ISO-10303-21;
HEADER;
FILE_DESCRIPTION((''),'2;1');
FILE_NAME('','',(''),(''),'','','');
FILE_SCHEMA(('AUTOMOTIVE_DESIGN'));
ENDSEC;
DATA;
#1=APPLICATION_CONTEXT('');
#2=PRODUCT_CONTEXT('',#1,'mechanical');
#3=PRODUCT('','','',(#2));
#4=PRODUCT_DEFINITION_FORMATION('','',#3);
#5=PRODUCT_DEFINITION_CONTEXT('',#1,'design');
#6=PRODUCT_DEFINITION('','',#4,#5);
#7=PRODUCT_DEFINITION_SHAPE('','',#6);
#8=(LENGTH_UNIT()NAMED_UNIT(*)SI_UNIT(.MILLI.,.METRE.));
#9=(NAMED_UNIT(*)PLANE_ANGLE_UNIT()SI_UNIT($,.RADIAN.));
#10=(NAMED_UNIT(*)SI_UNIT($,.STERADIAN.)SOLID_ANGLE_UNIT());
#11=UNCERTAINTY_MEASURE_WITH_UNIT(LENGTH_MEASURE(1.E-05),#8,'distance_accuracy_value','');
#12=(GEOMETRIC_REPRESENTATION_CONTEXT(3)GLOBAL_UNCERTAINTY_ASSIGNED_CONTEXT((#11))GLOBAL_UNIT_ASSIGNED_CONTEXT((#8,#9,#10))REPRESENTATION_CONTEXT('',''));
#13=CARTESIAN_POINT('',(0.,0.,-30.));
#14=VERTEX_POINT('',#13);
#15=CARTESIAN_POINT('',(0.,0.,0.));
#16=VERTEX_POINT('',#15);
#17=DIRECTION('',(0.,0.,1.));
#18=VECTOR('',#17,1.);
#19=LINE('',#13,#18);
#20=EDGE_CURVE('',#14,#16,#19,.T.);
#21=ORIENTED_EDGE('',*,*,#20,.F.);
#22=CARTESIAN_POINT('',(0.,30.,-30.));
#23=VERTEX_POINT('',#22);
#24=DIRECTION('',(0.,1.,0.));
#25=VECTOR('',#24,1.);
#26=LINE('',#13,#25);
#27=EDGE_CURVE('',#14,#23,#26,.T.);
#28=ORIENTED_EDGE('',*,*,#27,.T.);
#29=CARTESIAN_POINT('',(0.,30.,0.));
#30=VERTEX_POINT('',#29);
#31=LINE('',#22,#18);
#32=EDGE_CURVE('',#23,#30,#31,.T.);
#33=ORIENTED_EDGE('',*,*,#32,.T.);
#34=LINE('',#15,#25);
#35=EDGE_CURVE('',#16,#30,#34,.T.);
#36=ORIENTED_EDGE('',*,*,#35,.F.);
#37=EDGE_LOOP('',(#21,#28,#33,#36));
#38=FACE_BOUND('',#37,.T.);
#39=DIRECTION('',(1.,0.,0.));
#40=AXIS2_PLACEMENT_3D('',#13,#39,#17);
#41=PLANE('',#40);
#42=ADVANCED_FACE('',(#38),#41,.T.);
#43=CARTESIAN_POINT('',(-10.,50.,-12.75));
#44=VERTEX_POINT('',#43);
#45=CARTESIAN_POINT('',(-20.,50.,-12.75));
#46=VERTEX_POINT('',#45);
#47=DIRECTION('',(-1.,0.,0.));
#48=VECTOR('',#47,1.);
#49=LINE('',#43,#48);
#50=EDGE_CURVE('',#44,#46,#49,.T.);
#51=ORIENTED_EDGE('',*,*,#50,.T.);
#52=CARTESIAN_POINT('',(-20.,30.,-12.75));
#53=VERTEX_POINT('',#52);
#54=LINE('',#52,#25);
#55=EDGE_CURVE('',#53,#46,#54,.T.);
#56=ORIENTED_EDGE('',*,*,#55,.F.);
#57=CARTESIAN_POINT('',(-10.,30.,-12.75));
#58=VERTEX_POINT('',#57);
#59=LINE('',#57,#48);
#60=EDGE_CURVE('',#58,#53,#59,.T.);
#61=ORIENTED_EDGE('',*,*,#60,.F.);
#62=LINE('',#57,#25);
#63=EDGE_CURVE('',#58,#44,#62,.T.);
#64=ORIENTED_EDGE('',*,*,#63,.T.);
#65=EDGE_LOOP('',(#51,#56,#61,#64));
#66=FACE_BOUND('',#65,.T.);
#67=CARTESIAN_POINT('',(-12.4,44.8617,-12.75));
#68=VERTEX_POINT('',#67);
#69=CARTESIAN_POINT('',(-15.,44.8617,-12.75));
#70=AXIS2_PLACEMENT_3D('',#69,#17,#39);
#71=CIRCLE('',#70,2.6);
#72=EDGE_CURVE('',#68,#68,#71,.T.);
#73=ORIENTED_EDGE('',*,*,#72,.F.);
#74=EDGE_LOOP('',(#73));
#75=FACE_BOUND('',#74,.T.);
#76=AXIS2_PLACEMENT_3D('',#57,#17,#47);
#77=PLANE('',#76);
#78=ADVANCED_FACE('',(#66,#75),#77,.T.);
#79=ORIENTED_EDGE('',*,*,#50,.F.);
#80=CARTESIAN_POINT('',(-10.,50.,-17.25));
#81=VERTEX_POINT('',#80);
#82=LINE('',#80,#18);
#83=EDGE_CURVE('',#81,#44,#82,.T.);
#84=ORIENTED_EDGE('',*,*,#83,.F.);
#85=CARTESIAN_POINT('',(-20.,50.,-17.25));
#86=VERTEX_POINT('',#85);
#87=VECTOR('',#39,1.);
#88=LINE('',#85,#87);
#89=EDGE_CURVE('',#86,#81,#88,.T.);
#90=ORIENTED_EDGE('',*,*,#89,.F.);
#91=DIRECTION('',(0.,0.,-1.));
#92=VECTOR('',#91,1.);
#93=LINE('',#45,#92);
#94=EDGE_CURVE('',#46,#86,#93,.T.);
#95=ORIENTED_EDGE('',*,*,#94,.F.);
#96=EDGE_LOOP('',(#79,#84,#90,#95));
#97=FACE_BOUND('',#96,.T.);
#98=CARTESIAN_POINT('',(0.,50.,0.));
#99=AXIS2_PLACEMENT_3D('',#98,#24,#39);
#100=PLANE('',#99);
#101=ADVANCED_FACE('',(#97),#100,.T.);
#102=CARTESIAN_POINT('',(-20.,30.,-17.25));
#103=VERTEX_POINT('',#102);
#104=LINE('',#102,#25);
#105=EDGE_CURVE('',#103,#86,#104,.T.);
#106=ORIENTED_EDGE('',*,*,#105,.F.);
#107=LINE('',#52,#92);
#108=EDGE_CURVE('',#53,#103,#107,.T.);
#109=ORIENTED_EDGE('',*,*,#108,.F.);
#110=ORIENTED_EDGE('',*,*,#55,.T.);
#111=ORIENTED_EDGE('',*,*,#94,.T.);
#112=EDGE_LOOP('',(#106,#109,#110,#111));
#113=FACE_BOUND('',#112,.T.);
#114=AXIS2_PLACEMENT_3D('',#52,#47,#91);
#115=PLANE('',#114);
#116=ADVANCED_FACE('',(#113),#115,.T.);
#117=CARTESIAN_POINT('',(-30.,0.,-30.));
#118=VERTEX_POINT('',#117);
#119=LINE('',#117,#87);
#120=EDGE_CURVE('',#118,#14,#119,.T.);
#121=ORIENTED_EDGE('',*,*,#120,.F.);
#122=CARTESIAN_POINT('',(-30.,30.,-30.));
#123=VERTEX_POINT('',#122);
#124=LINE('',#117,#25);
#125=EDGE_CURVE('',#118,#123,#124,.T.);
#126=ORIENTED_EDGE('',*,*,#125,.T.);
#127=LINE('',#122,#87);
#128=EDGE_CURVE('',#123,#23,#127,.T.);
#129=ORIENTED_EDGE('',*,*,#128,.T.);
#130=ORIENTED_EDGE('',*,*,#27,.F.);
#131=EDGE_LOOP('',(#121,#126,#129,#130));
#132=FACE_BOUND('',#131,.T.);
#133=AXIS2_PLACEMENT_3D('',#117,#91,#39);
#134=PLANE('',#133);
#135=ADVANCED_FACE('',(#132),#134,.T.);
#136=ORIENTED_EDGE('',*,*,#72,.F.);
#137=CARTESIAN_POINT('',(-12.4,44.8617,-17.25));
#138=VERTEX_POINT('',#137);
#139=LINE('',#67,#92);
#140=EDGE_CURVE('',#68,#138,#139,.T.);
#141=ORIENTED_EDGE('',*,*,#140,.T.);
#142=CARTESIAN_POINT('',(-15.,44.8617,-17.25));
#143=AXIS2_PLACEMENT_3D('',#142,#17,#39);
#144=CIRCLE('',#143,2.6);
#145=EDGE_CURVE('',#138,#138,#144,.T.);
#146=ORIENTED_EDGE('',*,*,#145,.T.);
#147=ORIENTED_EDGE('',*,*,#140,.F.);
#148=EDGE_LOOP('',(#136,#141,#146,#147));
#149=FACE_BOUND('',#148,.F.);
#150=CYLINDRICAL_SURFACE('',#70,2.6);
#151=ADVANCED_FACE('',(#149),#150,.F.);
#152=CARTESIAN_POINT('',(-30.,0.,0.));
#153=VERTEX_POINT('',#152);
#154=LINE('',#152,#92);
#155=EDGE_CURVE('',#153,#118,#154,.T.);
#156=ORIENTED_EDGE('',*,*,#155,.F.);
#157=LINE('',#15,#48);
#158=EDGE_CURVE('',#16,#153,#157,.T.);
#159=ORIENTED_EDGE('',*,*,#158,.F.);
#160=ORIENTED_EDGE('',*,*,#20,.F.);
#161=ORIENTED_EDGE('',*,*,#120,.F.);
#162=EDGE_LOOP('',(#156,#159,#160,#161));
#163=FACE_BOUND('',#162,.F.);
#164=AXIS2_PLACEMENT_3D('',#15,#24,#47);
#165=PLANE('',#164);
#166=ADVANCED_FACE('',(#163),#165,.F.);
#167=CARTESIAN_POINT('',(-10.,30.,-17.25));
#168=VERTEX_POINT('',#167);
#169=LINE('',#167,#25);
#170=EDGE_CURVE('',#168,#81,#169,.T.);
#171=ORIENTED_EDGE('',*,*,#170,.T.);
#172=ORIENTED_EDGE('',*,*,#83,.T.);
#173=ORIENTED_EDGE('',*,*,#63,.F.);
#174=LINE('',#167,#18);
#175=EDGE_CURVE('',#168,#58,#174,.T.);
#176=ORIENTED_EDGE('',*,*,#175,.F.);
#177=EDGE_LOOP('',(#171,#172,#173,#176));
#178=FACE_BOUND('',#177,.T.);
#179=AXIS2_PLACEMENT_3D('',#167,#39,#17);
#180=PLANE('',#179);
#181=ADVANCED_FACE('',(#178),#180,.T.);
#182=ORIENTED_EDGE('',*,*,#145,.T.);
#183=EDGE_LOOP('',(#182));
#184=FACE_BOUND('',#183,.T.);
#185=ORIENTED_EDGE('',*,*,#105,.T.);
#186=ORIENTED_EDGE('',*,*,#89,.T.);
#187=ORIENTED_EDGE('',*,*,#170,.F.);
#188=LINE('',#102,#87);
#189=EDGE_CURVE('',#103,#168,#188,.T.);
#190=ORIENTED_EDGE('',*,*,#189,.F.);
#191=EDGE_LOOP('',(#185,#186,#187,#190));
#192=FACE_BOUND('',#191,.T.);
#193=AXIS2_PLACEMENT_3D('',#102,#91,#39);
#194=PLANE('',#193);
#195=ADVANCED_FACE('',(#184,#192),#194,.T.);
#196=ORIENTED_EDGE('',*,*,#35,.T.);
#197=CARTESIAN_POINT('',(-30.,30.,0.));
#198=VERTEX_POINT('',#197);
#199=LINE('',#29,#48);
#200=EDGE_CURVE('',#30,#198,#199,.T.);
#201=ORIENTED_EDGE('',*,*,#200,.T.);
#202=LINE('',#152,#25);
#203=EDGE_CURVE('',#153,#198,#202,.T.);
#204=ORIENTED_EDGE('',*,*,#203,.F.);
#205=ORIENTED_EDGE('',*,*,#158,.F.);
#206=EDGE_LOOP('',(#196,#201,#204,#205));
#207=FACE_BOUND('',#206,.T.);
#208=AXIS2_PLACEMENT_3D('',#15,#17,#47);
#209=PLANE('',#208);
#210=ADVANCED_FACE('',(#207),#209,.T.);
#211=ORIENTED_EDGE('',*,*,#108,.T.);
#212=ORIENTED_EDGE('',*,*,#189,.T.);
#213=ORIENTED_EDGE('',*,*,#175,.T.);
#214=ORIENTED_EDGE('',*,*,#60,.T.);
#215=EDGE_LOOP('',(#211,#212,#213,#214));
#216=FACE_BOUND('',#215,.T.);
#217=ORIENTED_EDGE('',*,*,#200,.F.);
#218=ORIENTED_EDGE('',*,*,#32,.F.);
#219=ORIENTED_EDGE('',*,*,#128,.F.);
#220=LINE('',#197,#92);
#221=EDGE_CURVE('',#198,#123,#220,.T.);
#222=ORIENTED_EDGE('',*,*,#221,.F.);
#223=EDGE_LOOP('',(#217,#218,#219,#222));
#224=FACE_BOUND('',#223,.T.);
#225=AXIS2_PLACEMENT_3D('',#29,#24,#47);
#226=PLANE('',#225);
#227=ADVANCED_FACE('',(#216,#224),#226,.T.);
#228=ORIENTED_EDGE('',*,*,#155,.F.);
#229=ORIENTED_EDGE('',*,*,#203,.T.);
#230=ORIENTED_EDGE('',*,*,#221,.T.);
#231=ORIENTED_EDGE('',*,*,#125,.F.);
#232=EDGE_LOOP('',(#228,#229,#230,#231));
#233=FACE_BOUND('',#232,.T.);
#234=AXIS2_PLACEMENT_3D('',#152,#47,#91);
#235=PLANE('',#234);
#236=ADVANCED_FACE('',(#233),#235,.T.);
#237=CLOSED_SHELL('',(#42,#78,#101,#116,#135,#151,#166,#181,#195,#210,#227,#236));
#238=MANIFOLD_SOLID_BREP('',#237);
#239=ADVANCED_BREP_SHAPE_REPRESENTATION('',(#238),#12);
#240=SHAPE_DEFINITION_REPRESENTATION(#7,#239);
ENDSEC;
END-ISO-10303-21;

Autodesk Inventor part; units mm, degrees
ref_plane "YZ Plane" through (0, 0, 0) normal (1, 0, 0) x (0, 1, 0)
ref_plane "XZ Plane" through (0, 0, 0) normal (0, 1, 0) x (-1, 0, 0)
ref_plane "XY Plane" through (0, 0, 0) normal (0, 0, 1) x (1, 0, 0)
sketch "Sketch1" plane through (0, 0, 0) normal (0, 1, 0) x (-1, 0, 0)
  line L0 (0, 0) -> (30, 0)
  line L1 (30, 0) -> (30, -30)
  line L2 (30, -30) -> (0, -30)
  line L3 (0, -30) -> (0, 0)
  dimension "d0" = 30
  dimension "d1" = 30
extrude "Extrusion1" add sketch "Sketch1" along normal blind 30
sketch "Sketch2" plane through (0, 30, 0) normal (0, 1, 0) x (1, 0, 0)
  line L0 (-20, 17.25) -> (-10, 17.25)
  line L1 (-10, 17.25) -> (-10, 12.75)
  line L2 (-10, 12.75) -> (-20, 12.75)
  line L3 (-20, 12.75) -> (-20, 17.25)
  line L4 (-20, 17.25) -> (-10, 12.75) construction
  line L5 (-10, 17.25) -> (-20, 12.75) construction
  line L6 (-30, 30) -> (-30, 0) projected
  line L7 (-30, 0) -> (0, 0) projected
  point P0 (-15, 15)
  point P1 (-30, 15)
  dimension "d4" = 15
  dimension "d5" = 15
  dimension "d6" = 10
  dimension "d7" = 4.5
extrude "Extrusion2" add sketch "Sketch2" along normal blind 20
sketch "Sketch3" plane through (-20, 30, -12.75) normal (0, 0, 1) x (1, 0, 0)
  circle A0 centre (5, 14.8617) radius 2.6
  point P0 (20, -30)
  dimension "d10" = 5.2
extrude "Extrusion3" cut sketch "Sketch3" against normal blind 20
properties part number "ObjectCube"
